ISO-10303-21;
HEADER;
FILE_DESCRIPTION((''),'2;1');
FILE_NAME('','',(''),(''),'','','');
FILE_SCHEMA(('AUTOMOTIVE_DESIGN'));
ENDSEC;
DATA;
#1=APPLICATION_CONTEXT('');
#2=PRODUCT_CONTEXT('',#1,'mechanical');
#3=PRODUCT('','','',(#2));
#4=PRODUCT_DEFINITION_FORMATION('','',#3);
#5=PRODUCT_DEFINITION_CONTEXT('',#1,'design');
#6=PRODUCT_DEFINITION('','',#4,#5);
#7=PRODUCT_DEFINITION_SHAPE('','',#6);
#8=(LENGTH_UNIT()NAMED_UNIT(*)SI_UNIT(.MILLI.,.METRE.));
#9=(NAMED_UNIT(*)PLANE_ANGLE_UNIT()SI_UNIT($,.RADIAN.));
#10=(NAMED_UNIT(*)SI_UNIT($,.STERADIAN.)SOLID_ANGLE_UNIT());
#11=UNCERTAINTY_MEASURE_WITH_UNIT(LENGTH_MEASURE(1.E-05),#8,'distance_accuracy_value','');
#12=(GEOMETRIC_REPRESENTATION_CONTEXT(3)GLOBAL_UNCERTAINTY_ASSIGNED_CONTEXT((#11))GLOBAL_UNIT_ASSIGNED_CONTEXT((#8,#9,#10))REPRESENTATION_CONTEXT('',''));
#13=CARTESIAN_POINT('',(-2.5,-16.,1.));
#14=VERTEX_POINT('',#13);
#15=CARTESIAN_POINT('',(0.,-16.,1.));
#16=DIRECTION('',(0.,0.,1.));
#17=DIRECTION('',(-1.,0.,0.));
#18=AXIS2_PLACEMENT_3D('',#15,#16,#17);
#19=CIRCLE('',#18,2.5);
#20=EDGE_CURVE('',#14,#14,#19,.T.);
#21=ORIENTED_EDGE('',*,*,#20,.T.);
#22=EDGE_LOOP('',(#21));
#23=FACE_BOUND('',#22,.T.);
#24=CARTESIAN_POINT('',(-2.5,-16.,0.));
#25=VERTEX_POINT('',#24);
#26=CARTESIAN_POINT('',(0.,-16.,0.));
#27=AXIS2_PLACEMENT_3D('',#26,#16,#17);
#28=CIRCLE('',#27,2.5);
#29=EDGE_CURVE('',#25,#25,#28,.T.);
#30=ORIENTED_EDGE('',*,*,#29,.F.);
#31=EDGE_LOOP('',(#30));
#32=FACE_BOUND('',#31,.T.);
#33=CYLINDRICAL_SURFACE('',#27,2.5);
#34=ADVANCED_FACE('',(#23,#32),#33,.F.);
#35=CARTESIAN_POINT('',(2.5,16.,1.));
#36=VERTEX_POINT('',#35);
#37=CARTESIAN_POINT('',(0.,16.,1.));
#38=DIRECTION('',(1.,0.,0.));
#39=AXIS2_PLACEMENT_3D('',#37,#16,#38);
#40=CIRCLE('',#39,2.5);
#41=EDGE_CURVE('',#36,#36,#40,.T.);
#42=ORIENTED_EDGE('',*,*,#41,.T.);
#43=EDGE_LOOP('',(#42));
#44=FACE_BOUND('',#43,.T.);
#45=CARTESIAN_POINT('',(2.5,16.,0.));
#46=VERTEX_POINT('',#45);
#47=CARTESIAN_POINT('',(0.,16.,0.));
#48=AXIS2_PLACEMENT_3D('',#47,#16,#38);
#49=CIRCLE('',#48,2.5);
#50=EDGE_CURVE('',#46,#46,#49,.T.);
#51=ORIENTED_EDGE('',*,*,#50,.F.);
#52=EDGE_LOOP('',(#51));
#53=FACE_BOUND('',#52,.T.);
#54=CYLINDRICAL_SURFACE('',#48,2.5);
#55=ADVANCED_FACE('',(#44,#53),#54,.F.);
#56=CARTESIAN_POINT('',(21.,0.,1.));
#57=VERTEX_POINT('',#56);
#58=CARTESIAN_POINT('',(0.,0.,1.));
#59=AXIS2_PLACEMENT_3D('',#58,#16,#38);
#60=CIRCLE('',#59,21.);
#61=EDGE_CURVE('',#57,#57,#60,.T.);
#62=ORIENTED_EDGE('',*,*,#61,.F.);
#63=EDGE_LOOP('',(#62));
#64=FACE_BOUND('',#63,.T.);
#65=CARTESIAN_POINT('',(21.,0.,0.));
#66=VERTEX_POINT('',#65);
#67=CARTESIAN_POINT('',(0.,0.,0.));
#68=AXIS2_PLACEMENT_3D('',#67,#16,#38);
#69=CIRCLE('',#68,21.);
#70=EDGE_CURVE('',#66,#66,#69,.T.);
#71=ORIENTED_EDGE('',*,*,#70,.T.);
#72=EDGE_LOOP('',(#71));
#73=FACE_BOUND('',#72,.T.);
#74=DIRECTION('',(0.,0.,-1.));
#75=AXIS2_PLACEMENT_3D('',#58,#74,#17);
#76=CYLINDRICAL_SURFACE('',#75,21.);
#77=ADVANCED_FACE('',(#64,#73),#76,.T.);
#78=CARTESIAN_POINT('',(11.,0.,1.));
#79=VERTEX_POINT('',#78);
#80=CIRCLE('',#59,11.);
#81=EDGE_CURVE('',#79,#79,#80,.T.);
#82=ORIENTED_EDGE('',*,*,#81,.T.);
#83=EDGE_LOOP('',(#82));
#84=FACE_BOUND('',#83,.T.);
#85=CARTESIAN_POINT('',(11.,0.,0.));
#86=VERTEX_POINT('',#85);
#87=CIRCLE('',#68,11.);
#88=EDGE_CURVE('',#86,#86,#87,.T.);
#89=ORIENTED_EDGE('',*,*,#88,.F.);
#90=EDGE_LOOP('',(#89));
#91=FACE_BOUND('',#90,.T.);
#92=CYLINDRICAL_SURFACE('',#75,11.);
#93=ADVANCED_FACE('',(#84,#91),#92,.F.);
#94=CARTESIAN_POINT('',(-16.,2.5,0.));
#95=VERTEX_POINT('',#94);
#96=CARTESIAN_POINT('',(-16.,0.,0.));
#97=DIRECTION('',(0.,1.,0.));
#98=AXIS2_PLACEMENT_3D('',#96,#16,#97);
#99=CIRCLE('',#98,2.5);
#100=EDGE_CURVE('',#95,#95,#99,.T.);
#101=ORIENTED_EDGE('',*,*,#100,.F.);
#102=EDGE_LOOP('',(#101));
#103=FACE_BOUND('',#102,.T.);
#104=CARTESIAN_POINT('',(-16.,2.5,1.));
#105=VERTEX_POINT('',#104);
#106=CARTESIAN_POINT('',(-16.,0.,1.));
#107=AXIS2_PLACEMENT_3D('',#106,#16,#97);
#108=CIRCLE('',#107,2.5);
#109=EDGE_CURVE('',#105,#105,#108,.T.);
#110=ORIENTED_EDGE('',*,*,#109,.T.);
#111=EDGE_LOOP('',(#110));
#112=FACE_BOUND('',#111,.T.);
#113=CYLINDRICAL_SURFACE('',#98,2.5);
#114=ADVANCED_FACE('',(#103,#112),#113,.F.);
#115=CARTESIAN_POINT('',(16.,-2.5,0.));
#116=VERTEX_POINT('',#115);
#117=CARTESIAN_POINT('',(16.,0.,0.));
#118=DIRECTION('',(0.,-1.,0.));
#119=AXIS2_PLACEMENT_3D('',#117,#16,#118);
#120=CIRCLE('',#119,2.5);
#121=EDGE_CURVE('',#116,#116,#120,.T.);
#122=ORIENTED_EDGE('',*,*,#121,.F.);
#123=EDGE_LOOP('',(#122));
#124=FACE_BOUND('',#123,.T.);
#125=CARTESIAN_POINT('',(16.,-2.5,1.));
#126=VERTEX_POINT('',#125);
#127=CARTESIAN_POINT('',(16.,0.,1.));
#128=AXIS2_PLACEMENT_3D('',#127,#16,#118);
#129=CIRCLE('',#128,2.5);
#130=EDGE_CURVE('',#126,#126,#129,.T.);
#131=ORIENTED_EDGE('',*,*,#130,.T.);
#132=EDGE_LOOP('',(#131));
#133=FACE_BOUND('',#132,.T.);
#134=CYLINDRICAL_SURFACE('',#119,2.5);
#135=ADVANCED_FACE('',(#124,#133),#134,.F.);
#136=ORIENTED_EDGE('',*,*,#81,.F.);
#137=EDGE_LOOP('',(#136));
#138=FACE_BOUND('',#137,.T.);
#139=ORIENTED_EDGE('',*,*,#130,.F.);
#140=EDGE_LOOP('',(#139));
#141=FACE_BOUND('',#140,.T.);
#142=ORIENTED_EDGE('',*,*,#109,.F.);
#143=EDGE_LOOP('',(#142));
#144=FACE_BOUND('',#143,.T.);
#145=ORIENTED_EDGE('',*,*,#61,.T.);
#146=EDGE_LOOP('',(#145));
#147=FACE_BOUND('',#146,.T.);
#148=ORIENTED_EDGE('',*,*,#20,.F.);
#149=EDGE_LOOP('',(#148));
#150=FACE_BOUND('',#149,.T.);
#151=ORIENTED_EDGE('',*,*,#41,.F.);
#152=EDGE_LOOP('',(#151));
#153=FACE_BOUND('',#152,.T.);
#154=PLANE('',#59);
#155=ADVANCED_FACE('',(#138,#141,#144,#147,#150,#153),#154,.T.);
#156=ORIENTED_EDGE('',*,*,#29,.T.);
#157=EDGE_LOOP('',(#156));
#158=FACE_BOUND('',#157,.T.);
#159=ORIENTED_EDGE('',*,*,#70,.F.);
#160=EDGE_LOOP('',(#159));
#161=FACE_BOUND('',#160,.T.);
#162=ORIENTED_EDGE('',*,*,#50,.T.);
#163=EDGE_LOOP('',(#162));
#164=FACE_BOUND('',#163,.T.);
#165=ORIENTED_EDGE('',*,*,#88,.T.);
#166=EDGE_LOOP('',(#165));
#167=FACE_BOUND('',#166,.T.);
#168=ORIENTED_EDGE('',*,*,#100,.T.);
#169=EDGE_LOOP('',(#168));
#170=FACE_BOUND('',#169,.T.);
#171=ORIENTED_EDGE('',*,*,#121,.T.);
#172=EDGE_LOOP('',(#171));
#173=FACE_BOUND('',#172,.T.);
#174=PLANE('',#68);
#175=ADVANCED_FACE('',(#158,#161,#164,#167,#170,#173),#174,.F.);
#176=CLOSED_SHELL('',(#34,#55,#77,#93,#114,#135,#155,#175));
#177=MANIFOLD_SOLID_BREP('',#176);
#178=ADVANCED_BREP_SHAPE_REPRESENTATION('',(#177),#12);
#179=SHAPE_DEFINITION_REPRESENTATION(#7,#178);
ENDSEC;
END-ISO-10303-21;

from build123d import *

# Parameters (mm, degrees)
SKETCH_1_R               = 21
SKETCH_1_R_2             = 11
EXTRUDE_1_DEPTH          = 1
SKETCH_2_R               = 2.5
CUT_EXTRUDE_1_DEPTH      = 30.715315916
PATTERN_CIRCULAR_1_COUNT = 4


with BuildPart() as part:
    # Эскиз1 → Бобышка-Вытянуть1 (new body)
    with BuildSketch(Plane.XY):
        Circle(SKETCH_1_R)
        Circle(SKETCH_1_R_2, mode=Mode.SUBTRACT)
    extrude(amount=EXTRUDE_1_DEPTH)

    # Эскиз2 → Вырез-Вытянуть1 (cut, through all)
    with BuildSketch(Plane.XY.offset(1)):
        with Locations((0, 16)):
            Circle(SKETCH_2_R)
    cut_extrude_1 = extrude(amount=-CUT_EXTRUDE_1_DEPTH, mode=Mode.SUBTRACT)

    # Круговой массив1: Вырез-Вытянуть1 ×4 about axis
    pattern_circular_1_axis = Axis((0, 0, 0), (0, 0, 1))
    for i in range(1, PATTERN_CIRCULAR_1_COUNT):
        add(cut_extrude_1.rotate(pattern_circular_1_axis, i * 360 / PATTERN_CIRCULAR_1_COUNT), mode=Mode.SUBTRACT)


solid = part.part
